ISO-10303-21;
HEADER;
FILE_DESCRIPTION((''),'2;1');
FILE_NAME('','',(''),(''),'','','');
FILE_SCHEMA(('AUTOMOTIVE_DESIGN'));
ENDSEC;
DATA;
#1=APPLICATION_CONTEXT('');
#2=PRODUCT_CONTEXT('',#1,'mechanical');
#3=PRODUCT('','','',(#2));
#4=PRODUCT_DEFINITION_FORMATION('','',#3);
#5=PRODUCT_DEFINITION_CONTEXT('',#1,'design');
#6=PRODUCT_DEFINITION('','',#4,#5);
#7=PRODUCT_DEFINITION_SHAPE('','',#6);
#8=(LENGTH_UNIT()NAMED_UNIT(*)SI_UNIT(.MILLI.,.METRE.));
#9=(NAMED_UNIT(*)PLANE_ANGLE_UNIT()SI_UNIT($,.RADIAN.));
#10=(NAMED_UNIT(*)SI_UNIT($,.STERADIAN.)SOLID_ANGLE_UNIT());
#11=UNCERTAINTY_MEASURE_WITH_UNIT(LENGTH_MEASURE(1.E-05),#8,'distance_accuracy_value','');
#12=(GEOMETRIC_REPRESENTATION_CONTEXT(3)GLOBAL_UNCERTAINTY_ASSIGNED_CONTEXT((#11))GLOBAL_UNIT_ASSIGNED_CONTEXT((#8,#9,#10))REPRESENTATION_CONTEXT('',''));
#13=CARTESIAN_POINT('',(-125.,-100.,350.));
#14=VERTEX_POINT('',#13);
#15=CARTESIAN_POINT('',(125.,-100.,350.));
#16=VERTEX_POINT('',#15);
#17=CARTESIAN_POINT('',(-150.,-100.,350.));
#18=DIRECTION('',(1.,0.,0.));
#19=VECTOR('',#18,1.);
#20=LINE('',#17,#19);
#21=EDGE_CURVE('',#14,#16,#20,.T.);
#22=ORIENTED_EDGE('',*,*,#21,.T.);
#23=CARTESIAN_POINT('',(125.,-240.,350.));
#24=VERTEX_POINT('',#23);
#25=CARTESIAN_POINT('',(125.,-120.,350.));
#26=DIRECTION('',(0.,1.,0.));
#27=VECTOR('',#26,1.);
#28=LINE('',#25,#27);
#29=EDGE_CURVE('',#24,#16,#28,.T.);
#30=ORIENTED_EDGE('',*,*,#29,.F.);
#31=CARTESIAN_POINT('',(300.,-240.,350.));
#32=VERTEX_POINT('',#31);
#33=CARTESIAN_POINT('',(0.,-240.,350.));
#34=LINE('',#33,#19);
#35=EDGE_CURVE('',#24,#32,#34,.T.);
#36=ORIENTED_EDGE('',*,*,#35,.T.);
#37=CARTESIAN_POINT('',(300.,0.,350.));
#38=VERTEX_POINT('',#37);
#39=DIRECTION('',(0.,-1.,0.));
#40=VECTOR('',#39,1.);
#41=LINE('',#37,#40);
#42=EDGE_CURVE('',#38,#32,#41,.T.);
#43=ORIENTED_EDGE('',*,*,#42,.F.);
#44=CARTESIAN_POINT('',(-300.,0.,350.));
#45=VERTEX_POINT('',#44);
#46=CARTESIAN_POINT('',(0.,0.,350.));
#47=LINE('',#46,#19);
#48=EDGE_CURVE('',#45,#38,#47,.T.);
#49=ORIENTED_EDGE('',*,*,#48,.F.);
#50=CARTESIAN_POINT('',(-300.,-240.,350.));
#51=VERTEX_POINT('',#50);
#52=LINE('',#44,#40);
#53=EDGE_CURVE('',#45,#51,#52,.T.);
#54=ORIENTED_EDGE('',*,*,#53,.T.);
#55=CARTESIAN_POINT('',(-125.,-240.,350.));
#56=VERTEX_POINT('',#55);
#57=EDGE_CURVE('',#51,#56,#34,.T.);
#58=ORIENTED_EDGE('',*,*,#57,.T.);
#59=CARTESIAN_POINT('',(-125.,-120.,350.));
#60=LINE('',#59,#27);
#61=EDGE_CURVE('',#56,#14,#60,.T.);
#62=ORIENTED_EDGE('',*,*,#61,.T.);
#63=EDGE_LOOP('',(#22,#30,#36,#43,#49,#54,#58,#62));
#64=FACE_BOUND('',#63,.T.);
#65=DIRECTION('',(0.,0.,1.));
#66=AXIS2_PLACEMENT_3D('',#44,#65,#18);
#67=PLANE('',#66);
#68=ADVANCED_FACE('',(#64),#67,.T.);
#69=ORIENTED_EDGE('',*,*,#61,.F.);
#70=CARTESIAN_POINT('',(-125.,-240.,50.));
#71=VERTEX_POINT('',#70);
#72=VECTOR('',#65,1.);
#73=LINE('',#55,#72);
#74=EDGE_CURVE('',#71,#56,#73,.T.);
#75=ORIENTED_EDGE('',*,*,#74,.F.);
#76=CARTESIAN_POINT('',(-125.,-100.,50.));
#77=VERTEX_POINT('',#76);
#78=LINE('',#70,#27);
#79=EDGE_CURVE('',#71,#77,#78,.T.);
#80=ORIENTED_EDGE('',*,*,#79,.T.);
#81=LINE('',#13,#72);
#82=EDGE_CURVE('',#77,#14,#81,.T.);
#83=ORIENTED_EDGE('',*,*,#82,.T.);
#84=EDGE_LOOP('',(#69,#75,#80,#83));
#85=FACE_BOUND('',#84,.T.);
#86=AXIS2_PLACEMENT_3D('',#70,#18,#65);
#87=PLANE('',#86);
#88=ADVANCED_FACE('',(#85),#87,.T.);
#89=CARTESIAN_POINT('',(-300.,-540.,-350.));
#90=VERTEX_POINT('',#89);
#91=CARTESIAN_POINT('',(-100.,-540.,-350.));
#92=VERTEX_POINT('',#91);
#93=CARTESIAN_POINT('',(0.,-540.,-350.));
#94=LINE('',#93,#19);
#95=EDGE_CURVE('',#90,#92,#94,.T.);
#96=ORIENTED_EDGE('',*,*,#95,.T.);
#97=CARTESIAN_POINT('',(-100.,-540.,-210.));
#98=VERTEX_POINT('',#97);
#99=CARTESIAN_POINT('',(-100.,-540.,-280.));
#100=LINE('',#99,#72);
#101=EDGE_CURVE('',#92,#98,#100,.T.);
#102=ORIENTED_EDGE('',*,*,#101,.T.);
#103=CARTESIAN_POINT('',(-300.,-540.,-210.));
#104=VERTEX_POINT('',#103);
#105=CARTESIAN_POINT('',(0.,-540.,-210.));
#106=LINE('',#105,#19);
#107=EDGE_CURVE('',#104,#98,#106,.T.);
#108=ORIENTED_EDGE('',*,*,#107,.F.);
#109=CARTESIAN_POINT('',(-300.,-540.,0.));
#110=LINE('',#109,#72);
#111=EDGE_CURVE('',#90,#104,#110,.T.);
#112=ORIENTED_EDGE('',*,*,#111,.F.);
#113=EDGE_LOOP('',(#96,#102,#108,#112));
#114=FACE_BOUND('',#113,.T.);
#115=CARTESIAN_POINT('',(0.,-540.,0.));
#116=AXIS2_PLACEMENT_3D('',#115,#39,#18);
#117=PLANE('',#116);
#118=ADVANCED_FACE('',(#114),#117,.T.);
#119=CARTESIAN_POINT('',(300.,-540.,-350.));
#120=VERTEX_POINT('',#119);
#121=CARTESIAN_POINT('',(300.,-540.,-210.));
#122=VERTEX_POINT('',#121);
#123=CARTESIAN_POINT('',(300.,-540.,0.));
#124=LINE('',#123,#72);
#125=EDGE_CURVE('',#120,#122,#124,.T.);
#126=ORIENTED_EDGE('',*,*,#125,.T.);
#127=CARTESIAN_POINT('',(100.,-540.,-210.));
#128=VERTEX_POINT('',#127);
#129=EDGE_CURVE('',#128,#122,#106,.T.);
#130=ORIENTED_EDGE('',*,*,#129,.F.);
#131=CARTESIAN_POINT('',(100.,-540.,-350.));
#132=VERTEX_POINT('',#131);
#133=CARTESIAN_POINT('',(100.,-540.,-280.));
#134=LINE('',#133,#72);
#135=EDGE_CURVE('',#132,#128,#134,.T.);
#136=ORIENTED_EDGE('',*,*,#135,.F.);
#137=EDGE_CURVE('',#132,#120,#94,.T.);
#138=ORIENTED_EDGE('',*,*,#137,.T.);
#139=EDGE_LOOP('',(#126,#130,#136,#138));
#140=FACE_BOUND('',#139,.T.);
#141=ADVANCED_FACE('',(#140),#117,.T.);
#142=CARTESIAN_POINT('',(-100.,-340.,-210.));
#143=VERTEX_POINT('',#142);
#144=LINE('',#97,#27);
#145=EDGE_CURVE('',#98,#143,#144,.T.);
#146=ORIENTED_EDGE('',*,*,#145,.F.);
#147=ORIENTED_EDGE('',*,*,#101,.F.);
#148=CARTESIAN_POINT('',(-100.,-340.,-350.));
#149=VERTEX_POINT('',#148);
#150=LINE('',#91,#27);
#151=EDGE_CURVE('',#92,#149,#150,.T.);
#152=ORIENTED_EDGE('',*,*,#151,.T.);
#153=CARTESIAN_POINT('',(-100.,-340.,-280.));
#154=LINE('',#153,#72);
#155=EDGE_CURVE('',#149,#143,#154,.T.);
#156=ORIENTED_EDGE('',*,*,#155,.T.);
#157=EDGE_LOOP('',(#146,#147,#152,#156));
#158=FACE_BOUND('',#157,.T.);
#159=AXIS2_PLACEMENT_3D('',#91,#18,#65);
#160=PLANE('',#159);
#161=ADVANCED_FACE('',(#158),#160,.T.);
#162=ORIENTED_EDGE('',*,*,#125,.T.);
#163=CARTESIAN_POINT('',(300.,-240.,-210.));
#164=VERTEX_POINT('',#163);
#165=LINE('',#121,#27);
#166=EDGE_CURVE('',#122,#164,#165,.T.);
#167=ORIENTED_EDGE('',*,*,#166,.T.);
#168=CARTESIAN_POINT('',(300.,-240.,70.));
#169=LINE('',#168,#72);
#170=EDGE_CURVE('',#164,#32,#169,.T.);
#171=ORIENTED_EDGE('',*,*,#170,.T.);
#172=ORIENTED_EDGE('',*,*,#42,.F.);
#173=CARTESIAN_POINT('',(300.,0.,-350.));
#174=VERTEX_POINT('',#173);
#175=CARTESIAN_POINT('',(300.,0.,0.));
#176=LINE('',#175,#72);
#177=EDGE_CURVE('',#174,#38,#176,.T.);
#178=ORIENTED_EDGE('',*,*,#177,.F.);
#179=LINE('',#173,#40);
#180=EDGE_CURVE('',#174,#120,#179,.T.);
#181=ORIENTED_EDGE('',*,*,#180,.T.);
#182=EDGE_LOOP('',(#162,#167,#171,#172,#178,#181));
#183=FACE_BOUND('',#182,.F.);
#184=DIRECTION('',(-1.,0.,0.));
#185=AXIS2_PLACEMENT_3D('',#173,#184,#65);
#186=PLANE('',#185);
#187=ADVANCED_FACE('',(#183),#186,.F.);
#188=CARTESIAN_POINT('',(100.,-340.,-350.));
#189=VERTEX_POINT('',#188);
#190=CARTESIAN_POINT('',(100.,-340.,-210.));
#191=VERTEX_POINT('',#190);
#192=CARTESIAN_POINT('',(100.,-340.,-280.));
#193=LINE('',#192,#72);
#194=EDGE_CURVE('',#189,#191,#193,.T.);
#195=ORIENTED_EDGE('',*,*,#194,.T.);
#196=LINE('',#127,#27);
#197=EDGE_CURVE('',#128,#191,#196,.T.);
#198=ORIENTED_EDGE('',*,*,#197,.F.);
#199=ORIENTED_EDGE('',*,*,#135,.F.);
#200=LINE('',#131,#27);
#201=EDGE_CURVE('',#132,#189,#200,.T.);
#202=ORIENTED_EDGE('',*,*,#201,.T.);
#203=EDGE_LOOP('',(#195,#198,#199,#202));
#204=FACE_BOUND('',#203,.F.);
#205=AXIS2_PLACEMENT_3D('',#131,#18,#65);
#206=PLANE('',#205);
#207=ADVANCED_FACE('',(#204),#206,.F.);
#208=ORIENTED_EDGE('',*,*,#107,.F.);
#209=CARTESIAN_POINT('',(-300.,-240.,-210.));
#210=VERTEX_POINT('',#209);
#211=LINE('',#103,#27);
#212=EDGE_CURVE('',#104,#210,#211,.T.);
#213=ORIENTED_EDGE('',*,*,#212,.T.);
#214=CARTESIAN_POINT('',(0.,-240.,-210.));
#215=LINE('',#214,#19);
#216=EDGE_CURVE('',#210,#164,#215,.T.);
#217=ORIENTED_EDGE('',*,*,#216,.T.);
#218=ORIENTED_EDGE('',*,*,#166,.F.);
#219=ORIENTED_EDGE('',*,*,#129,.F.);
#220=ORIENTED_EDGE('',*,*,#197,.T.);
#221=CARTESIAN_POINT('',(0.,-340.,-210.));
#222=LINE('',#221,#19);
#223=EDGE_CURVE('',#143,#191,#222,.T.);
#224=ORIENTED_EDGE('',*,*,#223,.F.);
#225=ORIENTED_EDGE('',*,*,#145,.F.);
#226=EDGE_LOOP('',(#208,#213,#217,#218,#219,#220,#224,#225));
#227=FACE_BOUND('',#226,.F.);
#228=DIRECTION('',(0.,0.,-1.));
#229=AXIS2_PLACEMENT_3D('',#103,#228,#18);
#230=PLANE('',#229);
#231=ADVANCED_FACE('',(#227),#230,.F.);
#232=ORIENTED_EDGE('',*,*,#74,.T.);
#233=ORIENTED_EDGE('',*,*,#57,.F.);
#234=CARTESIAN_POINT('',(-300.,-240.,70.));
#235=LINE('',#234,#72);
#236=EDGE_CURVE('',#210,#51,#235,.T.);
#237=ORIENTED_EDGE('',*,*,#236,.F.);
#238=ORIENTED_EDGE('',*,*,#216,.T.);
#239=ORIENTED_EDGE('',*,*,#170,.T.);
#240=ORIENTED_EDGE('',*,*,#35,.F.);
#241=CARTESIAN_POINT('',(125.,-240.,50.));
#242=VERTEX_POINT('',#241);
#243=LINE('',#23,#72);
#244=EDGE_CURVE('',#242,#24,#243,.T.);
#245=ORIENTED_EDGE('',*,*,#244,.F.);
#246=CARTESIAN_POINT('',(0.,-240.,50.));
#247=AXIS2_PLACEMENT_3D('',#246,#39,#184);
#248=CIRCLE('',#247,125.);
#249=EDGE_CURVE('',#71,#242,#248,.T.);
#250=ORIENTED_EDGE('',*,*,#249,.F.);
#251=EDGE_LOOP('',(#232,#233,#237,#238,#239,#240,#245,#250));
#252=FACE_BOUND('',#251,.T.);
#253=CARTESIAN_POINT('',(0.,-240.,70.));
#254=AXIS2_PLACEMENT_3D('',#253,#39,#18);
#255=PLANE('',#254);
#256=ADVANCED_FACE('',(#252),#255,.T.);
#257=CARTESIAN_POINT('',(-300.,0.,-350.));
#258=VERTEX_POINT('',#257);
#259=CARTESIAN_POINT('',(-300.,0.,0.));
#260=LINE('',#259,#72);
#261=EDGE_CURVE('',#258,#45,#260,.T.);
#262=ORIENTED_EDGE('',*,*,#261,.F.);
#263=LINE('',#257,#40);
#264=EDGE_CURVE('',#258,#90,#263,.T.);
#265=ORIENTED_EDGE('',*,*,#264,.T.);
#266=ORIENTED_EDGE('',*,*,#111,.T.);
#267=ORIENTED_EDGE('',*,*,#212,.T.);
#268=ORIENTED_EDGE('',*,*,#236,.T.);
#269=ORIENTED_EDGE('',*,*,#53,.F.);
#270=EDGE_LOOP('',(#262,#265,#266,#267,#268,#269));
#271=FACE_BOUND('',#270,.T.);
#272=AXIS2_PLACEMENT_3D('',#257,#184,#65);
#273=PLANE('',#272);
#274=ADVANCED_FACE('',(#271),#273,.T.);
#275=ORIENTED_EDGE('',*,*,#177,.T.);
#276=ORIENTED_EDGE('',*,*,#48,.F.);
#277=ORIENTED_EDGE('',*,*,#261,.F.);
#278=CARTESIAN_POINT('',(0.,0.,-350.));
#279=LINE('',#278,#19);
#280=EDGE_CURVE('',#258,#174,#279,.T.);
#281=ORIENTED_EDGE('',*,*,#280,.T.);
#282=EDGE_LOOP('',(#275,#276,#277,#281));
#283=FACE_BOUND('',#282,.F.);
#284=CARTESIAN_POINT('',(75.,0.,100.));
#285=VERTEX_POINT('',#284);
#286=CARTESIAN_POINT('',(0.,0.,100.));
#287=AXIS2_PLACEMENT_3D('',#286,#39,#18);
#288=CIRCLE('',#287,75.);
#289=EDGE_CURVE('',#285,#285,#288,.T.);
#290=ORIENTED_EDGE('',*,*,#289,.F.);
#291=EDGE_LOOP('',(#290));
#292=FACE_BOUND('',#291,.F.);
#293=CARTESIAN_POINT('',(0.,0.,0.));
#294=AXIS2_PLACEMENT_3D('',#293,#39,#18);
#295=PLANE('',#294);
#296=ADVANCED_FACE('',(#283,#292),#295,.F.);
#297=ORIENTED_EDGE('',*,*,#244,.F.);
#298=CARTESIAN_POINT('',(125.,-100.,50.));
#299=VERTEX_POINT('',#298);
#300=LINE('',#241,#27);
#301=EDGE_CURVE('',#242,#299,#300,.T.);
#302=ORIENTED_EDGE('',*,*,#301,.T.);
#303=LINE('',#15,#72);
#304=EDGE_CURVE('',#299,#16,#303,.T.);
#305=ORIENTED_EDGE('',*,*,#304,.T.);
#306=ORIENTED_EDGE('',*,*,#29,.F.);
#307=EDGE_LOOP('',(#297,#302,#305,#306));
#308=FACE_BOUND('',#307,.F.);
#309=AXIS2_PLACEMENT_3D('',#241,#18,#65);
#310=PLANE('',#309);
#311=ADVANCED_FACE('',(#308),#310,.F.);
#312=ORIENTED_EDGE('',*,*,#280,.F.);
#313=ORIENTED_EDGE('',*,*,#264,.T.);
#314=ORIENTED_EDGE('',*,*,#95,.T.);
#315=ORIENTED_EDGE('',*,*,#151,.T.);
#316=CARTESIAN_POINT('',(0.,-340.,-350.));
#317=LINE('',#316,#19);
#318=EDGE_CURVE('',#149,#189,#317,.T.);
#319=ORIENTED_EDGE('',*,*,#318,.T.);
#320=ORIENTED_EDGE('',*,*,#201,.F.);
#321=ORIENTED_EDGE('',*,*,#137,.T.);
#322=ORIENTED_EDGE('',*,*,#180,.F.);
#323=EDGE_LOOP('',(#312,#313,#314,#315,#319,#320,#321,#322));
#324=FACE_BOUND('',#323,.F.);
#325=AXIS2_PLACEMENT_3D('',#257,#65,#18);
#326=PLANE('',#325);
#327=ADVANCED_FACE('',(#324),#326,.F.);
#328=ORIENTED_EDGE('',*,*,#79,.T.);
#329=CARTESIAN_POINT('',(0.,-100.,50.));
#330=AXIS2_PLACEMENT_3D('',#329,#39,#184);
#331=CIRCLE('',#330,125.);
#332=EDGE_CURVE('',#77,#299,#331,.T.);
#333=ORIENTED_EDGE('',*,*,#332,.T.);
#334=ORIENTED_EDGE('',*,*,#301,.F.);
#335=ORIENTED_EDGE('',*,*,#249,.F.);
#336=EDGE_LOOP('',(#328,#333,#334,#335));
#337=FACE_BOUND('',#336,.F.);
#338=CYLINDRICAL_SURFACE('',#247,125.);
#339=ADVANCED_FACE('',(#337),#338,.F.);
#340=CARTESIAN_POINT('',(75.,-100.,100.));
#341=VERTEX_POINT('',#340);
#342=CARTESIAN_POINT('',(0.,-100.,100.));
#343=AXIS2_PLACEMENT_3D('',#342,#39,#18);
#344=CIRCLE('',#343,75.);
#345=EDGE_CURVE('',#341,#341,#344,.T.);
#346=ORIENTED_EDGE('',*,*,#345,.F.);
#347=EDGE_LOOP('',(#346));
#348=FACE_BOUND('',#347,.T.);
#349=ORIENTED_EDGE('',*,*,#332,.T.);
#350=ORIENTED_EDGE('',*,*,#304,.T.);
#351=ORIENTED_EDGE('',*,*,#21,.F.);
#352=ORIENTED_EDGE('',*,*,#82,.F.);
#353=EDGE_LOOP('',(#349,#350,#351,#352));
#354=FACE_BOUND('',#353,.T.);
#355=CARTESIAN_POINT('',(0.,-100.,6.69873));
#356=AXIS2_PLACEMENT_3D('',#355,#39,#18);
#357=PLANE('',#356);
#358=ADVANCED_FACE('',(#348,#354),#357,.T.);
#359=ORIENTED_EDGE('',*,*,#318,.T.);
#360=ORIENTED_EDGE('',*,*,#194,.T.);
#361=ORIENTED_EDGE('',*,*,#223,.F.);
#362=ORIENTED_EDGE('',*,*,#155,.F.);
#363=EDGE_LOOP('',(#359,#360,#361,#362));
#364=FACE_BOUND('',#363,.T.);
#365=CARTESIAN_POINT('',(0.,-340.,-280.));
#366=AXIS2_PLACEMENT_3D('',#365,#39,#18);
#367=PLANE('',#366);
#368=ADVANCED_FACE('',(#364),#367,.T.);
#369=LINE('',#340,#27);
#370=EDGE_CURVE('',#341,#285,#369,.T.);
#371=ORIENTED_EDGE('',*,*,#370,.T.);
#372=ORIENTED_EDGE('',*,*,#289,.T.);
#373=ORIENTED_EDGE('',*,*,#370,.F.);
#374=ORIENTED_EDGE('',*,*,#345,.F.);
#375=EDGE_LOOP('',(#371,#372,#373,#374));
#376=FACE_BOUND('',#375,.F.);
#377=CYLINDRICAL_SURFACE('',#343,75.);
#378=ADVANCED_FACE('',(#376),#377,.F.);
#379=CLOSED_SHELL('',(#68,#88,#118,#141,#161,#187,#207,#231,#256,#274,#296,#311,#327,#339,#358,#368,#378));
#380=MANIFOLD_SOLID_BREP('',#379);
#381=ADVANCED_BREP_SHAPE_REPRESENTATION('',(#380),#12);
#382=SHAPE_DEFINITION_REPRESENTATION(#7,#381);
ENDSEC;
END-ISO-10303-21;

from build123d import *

# Parameters (mm, degrees)
F0_W     = 600
F0_H     = 700
F1_DEPTH = 540
F2_W     = 600
F2_H     = 560
F3_DEPTH = 300
F4_W     = 200
F4_H     = 140
F5_DEPTH = 200
F6_W     = 250
F6_H     = 600
F7_DEPTH = 140
F8_R     = 75
F9_DEPTH = 100.001


with BuildPart() as f1:
    # F0 (on Front) → F1 (new body)
    with BuildSketch(Plane.XZ):
        Rectangle(F0_W, F0_H)
    extrude(amount=F1_DEPTH)

    # F2 (on face) → F3 (cut)
    with BuildSketch(Plane.XZ.offset(540)):
        with Locations((0, 70)):
            Rectangle(F2_W, F2_H)
    extrude(amount=-F3_DEPTH, mode=Mode.SUBTRACT)

    # F4 (on face) → F5 (cut)
    with BuildSketch(Plane.XZ.offset(540)):
        with Locations((0, -280)):
            Rectangle(F4_W, F4_H)
    extrude(amount=-F5_DEPTH, mode=Mode.SUBTRACT)

    # F6 (on face) → F7 (cut)
    with BuildSketch(Plane.XZ.offset(240)):
        with BuildLine():
            ThreePointArc((-125, 50), (0, -75), (125, 50))
            Line((125, 50), (-125, 50))
        make_face()
        with Locations((0, 350)):
            Rectangle(F6_W, F6_H)
    extrude(amount=-F7_DEPTH, mode=Mode.SUBTRACT)

    # F8 (on face) → F9 (cut, through all)
    with BuildSketch(Plane.XZ.offset(100)):
        with Locations((0, 100)):
            Circle(F8_R)
    extrude(amount=-F9_DEPTH, mode=Mode.SUBTRACT)


solid = f1.part
